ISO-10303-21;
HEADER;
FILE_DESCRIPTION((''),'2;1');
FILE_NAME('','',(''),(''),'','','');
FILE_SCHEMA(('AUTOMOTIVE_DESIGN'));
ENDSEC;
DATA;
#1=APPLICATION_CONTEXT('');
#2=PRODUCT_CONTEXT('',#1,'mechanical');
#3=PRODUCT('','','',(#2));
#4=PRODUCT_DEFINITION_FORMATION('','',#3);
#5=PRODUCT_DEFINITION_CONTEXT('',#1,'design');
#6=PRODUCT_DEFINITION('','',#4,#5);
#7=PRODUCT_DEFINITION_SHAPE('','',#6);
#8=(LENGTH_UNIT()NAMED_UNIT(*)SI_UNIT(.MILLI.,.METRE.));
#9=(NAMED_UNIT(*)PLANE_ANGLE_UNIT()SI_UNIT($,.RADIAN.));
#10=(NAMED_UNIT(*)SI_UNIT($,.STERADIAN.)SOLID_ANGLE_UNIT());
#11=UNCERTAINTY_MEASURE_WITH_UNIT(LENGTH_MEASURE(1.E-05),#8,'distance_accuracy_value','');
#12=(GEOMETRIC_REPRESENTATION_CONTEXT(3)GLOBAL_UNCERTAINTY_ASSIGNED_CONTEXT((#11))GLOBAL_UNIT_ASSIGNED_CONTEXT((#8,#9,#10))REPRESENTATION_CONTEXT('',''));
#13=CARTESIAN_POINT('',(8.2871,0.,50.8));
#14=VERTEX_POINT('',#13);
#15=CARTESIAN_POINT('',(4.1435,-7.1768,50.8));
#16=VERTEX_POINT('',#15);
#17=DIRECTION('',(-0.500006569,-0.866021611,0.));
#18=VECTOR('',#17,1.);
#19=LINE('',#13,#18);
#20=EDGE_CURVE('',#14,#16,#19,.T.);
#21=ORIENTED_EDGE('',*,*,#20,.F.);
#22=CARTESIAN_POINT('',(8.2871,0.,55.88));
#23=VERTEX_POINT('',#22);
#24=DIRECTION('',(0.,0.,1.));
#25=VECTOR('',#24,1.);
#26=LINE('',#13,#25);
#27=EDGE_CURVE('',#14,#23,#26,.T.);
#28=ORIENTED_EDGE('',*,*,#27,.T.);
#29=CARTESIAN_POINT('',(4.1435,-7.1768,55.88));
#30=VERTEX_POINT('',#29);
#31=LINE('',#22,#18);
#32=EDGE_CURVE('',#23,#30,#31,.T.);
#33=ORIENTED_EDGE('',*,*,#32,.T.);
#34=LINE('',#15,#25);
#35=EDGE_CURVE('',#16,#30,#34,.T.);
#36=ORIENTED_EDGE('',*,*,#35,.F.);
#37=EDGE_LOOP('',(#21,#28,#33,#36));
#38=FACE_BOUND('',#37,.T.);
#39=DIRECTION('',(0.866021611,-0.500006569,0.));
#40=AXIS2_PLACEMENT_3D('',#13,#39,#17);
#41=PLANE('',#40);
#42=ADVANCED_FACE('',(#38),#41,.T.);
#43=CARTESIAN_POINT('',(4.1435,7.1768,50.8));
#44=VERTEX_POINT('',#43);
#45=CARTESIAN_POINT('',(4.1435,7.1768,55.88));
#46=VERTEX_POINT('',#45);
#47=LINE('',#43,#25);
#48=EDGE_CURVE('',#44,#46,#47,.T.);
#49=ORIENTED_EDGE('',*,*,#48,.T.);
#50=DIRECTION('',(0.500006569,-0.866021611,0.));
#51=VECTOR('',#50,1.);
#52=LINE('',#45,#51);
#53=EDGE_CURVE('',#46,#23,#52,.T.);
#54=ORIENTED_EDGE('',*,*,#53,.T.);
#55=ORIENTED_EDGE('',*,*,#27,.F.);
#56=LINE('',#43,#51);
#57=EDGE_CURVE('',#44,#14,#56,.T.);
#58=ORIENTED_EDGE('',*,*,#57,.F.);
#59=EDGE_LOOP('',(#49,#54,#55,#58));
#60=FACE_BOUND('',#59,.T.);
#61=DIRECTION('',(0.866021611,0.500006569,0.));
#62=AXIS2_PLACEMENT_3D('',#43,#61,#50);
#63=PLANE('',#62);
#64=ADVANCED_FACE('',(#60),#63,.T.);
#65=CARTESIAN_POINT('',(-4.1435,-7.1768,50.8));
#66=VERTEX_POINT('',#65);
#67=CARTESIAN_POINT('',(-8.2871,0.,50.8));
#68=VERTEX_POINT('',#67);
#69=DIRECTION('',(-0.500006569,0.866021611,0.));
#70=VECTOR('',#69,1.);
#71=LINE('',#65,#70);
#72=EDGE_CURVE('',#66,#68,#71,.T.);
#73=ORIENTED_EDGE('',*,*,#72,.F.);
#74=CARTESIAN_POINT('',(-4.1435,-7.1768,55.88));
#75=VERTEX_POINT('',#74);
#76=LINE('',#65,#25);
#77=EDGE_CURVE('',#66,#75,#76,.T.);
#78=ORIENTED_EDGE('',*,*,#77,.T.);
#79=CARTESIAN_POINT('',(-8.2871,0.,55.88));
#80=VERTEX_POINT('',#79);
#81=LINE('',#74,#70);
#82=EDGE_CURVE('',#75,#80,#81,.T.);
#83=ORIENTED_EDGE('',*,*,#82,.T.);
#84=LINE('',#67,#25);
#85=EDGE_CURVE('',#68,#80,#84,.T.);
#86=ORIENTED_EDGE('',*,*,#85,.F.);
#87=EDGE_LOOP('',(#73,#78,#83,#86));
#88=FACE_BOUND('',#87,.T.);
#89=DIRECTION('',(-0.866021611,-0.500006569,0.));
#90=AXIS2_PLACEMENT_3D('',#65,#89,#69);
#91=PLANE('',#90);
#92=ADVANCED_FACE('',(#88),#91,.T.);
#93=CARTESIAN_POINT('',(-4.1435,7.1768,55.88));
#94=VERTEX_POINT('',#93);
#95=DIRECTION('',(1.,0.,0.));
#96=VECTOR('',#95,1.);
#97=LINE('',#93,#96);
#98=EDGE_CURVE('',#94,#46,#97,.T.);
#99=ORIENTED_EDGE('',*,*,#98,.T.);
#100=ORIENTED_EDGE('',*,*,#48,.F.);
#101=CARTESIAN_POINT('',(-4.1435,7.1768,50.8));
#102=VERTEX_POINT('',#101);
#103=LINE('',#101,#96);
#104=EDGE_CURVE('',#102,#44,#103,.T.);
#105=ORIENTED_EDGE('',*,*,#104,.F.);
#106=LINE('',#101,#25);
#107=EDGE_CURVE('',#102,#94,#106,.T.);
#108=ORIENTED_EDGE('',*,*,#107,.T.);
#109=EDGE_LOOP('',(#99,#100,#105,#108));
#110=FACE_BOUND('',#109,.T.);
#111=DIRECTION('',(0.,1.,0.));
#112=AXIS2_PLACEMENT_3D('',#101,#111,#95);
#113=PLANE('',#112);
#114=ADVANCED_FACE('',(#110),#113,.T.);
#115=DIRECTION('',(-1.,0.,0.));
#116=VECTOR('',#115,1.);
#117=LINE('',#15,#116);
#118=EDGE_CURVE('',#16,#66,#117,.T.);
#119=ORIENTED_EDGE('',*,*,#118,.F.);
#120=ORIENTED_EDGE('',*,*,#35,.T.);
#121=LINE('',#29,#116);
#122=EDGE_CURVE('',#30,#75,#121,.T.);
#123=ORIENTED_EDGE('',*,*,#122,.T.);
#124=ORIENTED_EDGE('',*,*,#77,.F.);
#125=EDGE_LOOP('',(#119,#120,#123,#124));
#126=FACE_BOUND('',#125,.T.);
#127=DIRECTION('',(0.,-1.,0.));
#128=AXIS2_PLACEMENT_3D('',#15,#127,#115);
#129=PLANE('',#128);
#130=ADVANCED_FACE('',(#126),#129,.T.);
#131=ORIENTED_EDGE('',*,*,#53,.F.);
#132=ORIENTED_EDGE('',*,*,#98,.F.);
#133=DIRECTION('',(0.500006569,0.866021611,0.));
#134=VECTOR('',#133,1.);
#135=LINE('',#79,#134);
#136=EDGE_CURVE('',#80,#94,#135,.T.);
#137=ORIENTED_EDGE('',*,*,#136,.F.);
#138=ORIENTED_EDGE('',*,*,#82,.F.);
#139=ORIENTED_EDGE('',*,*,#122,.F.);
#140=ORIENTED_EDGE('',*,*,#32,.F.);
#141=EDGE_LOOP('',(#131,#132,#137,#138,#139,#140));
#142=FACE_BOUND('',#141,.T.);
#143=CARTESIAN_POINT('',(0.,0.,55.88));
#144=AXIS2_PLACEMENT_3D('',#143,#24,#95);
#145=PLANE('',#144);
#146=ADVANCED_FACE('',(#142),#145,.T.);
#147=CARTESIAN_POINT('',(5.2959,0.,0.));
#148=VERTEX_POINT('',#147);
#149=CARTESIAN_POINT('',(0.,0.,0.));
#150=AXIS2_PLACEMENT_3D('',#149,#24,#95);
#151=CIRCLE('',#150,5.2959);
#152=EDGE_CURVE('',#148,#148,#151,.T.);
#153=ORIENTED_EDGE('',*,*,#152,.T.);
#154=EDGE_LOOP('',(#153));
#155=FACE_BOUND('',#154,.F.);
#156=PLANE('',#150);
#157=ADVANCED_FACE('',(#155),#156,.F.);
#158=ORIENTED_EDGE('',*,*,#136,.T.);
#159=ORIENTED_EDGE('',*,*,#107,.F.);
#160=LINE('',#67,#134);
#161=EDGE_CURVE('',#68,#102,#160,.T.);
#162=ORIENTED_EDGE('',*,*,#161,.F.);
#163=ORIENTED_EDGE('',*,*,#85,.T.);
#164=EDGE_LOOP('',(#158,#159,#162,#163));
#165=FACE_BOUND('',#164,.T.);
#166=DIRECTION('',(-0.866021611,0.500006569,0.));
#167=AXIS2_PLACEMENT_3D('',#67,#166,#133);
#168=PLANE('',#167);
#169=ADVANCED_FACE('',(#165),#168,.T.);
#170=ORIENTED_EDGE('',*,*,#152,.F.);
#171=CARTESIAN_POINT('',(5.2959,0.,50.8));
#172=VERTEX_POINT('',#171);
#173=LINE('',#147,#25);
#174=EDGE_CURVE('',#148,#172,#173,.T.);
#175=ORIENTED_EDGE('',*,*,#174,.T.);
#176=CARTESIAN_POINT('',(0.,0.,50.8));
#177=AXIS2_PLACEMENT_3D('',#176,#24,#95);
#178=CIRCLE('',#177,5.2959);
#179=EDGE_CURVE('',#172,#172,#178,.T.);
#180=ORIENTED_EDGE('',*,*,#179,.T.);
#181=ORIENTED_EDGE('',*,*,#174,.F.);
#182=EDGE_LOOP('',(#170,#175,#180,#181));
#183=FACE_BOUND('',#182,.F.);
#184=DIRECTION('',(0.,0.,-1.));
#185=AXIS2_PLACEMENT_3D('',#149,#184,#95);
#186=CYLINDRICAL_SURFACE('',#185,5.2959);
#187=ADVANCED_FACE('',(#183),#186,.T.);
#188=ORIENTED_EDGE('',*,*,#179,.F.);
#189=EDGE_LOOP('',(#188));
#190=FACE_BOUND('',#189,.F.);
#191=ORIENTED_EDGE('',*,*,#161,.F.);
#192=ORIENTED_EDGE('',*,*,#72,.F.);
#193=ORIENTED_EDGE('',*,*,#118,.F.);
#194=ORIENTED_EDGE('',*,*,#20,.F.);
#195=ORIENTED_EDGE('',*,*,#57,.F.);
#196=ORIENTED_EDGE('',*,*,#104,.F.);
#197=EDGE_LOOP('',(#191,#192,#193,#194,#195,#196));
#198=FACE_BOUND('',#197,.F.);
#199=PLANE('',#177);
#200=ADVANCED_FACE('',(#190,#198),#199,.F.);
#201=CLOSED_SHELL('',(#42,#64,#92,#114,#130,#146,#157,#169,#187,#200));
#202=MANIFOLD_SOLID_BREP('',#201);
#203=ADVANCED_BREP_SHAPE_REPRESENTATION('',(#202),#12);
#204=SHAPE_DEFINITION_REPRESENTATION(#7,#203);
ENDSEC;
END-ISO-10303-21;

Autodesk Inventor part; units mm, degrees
ref_plane "YZ Plane" through (0, 0, 0) normal (1, 0, 0) x (0, 1, 0)
ref_plane "XZ Plane" through (0, 0, 0) normal (0, 1, 0) x (-1, 0, 0)
ref_plane "XY Plane" through (0, 0, 0) normal (0, 0, 1) x (1, 0, 0)
sketch "Sketch1" plane through (0, 0, 0) normal (0, 0, 1) x (1, 0, 0)
  circle A0 centre (0, 0) radius 5.2959
  dimension "d0" = 10.5918
extrude "Extrusion1" add sketch "Sketch1" along normal blind 50.8
sketch "Sketch2" plane through (0, 0, 50.8) normal (0, 0, 1) x (1, 0, 0)
  line L0 (8.2871, 0) -> (4.1435, -7.1768)
  line L1 (4.1435, -7.1768) -> (-4.1435, -7.1768)
  line L2 (-4.1435, -7.1768) -> (-8.2871, 0)
  line L3 (-8.2871, 0) -> (-4.1435, 7.1768)
  line L4 (-4.1435, 7.1768) -> (4.1435, 7.1768)
  line L5 (4.1435, 7.1768) -> (8.2871, 0)
  point P0 (0, 0)
  point P1 (0, 0)
extrude "Extrusion2" add sketch "Sketch2" along normal blind 5.08
thread "Thread1" size "7/16-14 UNC" class "2A" standard "ANSI Unified Screw Threads" full length
properties part number "Propeller Bolt"
